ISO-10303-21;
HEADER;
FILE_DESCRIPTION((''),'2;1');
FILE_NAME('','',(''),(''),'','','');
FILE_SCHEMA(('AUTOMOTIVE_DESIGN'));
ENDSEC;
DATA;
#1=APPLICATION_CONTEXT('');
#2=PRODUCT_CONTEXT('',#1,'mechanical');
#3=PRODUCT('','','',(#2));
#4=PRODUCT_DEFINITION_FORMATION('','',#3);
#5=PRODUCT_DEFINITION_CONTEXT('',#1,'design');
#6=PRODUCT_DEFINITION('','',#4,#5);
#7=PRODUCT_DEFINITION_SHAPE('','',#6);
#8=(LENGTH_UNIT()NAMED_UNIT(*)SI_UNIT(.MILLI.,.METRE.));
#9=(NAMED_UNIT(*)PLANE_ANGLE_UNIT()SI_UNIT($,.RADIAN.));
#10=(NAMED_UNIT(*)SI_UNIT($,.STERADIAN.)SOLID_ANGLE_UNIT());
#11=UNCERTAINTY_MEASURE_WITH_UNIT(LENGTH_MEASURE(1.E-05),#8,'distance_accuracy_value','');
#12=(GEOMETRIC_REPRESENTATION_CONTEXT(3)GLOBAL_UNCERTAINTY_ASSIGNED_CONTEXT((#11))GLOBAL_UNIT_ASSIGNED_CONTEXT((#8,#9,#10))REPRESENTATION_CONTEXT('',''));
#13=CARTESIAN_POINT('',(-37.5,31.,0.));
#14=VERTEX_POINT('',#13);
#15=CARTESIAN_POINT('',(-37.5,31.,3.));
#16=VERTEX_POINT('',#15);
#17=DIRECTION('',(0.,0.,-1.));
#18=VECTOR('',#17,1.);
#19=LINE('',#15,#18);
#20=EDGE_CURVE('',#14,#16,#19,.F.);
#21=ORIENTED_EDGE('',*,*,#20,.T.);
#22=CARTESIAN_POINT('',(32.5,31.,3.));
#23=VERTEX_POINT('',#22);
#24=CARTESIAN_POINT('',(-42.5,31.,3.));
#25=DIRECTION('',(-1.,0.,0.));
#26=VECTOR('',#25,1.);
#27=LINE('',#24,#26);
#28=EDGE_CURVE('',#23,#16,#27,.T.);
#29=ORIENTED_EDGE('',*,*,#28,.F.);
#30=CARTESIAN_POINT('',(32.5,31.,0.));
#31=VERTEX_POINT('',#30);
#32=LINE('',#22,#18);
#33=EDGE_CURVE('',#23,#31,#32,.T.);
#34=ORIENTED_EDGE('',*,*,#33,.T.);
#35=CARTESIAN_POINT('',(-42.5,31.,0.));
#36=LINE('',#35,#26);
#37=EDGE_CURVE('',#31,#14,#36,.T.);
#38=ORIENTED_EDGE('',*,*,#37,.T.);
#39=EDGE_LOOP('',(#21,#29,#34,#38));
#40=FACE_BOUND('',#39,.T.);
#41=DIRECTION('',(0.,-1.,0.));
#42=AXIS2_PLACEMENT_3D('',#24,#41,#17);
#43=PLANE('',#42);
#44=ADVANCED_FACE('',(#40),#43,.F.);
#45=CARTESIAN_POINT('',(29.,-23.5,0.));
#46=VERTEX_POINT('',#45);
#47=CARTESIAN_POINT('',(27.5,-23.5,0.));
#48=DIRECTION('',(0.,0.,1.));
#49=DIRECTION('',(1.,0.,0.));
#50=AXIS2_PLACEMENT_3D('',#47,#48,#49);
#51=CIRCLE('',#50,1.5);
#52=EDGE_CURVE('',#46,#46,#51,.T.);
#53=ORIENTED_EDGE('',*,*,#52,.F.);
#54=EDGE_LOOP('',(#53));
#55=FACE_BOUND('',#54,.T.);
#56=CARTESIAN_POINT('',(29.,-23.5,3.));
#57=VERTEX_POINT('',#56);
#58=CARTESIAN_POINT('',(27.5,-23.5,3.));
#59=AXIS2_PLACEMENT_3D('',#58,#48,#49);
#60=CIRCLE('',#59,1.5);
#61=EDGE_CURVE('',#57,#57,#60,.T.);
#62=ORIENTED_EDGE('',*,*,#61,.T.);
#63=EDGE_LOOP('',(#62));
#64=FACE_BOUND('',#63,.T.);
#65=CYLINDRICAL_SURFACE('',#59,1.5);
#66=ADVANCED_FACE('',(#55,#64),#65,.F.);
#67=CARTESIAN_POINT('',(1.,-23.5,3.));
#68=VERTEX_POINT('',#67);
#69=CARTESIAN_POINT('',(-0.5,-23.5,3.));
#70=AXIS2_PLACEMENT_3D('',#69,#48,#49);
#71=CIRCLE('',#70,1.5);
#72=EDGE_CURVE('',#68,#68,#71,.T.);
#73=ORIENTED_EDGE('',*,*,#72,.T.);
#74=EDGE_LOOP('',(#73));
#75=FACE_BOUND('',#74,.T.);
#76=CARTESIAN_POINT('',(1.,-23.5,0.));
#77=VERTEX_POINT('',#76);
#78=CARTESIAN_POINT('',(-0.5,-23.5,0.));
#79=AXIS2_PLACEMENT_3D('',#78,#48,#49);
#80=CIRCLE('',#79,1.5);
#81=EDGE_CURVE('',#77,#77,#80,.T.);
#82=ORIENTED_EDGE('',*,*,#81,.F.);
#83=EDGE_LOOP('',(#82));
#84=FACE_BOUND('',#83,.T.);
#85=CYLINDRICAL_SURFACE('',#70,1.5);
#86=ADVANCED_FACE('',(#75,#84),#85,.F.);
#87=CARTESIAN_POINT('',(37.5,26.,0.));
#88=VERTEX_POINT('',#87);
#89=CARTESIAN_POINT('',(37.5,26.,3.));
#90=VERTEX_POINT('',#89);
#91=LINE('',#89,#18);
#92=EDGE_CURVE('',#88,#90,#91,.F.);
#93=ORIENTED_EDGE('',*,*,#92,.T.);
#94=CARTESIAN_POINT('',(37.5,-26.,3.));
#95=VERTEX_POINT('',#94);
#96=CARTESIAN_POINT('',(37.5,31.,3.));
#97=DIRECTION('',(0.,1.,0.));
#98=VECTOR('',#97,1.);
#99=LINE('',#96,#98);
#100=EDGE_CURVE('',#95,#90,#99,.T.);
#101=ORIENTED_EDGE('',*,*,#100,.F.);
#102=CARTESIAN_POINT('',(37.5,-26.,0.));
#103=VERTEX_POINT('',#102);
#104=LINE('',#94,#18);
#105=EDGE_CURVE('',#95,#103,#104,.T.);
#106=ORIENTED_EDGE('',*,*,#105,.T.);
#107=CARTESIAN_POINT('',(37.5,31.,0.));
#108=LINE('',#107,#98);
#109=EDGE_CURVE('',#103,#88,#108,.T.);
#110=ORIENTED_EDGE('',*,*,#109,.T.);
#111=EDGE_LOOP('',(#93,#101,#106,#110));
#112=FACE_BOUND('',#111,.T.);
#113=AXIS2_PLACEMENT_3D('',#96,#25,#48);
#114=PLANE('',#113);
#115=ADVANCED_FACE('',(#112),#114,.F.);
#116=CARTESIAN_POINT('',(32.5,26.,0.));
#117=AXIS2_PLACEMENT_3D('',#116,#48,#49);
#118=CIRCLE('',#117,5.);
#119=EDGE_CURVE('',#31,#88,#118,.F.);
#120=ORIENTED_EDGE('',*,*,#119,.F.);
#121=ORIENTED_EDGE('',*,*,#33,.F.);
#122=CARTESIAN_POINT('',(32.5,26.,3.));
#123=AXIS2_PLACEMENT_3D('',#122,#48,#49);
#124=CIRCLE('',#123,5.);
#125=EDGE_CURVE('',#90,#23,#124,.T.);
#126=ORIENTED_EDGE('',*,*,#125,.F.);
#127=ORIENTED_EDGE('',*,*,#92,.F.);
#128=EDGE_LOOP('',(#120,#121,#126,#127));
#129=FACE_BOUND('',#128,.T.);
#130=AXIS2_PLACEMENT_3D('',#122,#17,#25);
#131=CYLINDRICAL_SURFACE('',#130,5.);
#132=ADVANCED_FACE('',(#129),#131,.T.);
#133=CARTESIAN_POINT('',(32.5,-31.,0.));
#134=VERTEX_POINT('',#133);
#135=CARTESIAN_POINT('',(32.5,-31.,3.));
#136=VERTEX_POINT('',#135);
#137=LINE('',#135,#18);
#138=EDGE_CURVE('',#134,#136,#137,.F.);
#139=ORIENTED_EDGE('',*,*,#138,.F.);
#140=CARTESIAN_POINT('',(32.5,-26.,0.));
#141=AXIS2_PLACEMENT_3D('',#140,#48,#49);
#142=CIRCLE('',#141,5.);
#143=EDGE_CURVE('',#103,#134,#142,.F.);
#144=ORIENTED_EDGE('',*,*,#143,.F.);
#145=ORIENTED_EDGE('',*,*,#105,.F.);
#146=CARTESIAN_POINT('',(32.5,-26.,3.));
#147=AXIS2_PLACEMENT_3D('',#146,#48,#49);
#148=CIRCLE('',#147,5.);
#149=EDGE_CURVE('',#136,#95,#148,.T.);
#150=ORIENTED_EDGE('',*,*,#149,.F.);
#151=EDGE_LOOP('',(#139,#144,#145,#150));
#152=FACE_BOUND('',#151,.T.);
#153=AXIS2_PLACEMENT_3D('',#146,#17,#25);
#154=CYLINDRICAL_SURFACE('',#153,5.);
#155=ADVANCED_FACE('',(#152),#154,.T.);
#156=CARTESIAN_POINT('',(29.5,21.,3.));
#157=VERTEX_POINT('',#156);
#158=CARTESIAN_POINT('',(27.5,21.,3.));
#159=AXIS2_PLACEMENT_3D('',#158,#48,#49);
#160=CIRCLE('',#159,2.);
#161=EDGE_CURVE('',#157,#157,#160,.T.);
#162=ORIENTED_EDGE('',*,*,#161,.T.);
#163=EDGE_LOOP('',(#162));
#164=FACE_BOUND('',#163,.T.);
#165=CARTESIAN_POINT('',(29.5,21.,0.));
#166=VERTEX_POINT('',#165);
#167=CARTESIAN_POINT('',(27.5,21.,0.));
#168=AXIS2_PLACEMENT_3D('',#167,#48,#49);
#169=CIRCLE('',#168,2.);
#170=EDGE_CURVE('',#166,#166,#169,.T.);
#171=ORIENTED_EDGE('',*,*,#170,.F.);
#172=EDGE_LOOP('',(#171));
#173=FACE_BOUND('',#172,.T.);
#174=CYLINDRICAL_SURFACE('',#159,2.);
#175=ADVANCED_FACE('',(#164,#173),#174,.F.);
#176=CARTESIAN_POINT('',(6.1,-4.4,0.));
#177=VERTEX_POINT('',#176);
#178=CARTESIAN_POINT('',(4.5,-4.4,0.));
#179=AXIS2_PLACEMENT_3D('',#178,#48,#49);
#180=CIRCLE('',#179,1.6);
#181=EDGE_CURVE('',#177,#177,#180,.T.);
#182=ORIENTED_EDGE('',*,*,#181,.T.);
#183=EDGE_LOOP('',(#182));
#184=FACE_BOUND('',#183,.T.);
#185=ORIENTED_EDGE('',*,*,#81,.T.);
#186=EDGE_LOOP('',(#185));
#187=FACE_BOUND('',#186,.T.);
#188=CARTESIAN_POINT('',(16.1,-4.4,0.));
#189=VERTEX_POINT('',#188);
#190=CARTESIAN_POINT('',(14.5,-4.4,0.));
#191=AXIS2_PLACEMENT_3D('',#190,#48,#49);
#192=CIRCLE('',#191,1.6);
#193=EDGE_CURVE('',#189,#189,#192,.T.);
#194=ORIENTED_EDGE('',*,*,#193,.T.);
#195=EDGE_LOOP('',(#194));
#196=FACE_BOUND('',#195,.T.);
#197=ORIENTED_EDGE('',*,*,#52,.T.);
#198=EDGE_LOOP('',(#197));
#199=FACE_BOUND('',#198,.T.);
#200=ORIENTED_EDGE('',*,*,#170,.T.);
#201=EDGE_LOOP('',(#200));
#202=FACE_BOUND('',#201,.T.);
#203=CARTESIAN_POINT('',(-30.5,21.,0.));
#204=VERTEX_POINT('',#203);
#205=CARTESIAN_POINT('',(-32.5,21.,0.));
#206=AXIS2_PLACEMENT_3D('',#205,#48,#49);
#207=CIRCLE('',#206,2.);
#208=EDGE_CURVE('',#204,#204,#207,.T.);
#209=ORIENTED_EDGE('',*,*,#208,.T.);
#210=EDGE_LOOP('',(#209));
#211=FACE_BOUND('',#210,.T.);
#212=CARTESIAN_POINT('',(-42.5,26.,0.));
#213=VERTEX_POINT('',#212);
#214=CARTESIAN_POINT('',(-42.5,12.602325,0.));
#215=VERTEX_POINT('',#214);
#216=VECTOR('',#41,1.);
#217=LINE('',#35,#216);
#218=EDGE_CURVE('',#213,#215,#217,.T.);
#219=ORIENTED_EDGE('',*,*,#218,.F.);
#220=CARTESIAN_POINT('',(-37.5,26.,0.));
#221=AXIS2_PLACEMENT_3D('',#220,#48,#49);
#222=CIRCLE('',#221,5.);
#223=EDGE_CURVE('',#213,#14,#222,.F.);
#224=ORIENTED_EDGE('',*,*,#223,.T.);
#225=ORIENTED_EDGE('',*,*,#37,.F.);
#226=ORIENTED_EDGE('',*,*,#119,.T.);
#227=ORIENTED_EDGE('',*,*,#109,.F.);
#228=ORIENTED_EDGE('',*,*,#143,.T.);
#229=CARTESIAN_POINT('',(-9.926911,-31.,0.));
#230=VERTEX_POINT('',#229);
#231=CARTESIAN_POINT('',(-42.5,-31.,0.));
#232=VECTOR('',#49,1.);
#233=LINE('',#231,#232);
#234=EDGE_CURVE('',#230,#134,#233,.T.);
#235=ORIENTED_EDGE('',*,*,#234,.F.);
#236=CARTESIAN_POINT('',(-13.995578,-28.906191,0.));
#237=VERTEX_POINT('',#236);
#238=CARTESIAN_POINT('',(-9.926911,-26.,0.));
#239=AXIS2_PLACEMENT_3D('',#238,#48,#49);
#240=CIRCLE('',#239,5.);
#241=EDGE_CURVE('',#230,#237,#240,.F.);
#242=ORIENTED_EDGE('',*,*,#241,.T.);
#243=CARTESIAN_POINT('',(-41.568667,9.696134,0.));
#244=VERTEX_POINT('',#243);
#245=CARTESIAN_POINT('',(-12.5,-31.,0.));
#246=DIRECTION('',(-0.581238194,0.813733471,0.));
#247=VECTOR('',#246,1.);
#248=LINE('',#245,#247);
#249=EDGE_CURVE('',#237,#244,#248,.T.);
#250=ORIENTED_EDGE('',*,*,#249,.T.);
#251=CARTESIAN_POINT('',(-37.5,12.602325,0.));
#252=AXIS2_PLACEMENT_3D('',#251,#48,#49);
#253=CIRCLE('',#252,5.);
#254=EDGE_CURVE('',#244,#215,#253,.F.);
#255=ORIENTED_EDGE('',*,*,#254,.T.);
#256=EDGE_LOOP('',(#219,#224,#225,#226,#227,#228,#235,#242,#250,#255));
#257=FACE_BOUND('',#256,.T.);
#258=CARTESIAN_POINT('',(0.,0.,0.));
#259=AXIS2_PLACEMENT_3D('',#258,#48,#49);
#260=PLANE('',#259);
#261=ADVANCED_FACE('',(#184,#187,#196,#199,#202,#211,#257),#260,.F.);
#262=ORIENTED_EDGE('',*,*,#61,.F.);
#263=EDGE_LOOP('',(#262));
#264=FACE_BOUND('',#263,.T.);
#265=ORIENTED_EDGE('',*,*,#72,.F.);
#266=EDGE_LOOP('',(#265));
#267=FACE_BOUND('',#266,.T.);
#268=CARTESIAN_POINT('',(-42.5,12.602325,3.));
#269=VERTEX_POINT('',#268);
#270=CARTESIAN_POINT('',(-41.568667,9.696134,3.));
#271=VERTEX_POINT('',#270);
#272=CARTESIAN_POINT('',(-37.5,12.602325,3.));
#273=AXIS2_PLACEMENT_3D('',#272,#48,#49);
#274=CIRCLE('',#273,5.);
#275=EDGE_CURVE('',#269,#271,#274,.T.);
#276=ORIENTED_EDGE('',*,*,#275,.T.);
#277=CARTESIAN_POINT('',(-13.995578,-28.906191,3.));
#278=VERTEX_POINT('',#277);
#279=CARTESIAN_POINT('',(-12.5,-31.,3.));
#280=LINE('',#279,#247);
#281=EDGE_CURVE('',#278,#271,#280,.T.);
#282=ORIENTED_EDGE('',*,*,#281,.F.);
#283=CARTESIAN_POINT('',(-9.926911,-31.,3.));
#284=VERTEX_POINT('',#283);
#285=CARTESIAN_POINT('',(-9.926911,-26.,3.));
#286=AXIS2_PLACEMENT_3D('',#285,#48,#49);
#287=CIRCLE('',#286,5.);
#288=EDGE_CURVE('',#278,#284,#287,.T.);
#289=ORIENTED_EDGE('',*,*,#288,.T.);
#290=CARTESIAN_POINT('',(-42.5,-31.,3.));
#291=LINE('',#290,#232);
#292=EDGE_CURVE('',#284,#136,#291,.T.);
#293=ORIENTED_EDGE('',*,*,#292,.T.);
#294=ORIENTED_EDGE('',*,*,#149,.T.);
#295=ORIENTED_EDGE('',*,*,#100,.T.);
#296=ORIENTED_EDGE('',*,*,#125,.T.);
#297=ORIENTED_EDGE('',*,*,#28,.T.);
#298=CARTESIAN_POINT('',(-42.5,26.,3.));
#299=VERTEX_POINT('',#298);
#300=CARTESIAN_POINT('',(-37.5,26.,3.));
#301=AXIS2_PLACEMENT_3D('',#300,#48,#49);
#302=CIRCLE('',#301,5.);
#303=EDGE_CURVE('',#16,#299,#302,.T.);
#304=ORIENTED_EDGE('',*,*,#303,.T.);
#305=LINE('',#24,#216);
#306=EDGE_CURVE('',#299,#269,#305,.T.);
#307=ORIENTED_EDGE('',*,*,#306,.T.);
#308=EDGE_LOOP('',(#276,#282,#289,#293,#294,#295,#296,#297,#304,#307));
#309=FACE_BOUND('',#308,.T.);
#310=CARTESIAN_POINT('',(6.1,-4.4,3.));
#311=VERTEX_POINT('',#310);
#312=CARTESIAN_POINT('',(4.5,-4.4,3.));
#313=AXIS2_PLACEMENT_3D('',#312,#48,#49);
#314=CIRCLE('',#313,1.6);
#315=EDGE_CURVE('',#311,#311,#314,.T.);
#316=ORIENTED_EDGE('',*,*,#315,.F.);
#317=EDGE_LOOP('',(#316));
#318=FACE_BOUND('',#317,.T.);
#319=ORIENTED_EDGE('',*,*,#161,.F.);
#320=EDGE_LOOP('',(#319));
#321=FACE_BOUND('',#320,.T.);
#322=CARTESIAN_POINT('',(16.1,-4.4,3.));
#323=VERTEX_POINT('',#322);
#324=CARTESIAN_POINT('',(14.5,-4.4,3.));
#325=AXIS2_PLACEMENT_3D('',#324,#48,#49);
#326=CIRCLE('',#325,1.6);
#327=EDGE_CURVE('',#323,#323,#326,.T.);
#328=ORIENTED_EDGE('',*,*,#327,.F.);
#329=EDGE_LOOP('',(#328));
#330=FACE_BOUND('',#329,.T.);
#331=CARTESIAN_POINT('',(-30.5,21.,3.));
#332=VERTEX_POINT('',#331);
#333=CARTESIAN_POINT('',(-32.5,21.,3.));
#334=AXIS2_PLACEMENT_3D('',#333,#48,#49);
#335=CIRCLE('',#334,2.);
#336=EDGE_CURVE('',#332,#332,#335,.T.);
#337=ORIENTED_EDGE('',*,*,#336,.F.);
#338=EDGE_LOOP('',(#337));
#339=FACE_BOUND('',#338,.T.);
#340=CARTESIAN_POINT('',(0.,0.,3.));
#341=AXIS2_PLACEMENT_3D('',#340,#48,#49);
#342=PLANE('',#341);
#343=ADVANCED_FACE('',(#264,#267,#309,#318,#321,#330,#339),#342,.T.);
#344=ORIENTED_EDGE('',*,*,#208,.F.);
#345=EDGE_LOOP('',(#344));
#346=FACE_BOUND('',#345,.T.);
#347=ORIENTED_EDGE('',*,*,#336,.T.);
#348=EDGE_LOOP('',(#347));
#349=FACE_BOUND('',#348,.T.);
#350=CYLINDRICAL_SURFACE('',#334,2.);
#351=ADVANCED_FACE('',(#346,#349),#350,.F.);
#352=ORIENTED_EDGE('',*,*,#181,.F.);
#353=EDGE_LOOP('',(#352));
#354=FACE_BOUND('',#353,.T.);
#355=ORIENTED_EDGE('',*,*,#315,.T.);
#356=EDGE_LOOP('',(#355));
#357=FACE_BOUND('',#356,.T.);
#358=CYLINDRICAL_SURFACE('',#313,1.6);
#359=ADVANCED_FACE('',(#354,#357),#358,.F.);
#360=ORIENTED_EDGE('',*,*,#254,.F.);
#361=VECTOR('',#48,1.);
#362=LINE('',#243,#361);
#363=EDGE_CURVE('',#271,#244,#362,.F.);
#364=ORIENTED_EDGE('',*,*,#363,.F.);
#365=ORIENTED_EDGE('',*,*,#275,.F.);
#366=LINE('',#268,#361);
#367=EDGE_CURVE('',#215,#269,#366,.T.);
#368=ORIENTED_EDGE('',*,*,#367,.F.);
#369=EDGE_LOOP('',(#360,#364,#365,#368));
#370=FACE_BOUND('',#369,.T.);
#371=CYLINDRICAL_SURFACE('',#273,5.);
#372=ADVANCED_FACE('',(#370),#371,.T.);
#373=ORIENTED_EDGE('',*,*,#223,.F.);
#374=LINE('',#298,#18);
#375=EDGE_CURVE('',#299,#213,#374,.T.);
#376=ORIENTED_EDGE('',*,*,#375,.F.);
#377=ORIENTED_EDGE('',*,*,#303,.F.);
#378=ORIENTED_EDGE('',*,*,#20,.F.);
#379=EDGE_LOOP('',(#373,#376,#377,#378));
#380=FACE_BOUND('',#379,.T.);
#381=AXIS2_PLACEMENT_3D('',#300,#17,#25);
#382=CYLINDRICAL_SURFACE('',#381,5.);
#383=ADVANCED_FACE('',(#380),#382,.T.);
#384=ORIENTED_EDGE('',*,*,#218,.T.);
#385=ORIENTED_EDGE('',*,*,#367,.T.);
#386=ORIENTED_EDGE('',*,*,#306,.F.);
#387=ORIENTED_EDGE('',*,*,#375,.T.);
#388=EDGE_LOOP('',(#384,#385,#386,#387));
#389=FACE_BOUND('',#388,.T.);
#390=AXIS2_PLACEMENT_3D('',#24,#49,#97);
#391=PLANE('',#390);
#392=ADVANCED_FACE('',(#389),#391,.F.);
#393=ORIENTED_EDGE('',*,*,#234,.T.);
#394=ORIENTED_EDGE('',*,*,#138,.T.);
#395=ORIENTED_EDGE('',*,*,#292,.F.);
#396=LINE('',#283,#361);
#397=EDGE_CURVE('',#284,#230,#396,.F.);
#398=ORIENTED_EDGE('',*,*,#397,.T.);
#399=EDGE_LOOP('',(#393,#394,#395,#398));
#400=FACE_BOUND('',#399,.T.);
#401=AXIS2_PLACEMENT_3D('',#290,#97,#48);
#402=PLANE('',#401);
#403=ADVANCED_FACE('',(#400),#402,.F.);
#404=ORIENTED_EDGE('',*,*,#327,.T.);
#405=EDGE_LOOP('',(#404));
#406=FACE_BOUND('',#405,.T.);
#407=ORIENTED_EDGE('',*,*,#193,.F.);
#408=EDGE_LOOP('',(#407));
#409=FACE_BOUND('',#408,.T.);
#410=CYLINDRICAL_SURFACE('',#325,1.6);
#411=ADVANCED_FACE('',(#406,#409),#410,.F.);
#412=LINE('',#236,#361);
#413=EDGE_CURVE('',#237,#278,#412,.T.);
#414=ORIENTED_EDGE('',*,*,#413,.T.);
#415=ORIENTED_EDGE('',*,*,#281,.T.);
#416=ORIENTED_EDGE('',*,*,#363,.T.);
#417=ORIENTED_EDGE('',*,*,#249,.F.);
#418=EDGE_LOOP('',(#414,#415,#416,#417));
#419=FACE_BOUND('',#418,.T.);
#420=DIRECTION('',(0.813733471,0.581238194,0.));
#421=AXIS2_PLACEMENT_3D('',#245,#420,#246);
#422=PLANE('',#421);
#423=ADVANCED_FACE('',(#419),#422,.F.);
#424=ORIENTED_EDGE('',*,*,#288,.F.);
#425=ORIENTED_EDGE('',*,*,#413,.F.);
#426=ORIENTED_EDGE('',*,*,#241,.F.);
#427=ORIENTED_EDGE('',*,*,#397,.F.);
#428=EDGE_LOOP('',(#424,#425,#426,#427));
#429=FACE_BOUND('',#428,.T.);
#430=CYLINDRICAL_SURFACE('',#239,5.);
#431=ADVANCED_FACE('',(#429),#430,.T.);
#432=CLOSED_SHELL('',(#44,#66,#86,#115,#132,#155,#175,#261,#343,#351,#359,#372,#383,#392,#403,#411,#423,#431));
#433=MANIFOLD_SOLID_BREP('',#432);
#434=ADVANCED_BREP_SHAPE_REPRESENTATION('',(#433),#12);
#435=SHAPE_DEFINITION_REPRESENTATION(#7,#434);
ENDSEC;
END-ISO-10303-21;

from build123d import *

# Parameters (mm, degrees)
SKETCH_1_W              = 80
SKETCH_1_H              = 62
EXTRUDE_1_DEPTH         = 3
HOLE_WIZARD_4_0_4_1_D   = 4
HOLE_WIZARD_3_2_3_2_1_D = 3.2
CUT_EXTRUDE_1_DEPTH     = 3
HOLE_WIZARD_3_0_3_1_D   = 3
FILLET_1_R              = 5


with BuildPart() as part:
    # 草图1 → 凸台-拉伸1 (new body)
    with BuildSketch(Plane.XY):
        with Locations((-2.5, 0)):
            Rectangle(SKETCH_1_W, SKETCH_1_H)
    extrude(amount=EXTRUDE_1_DEPTH)

    # Ø4.0 (4) 直径孔1 (through all)
    with Locations(Plane.XY.offset(3)):
        with Locations((27.5, 21), (-32.5, 21)):
            Hole(HOLE_WIZARD_4_0_4_1_D / 2)

    # Ø3.2 (3.2) 直径孔1 (through all)
    with Locations(Plane.XY.offset(3)):
        with Locations((14.5, -4.4), (4.5, -4.4)):
            Hole(HOLE_WIZARD_3_2_3_2_1_D / 2)

    # 草图6 → 切除-拉伸1 (cut)
    with BuildSketch(Plane.XY.offset(3)):
        Polygon((-42.5, 11), (-42.5, -31), (-12.5, -31), align=None)
    extrude(amount=-CUT_EXTRUDE_1_DEPTH, mode=Mode.SUBTRACT)

    # Ø3.0 (3) 直径孔1 (through all)
    with Locations(Plane.XY.offset(3)):
        with Locations((27.5, -23.5), (-0.5, -23.5)):
            Hole(HOLE_WIZARD_3_0_3_1_D / 2)

    # 圆角1
    fillet_1_edges = [part.edges().sort_by_distance(p)[0] for p in [
        (-42.5, 11, 1.5),
        (-12.5, -31, 1.5),
        (37.5, -31, 1.5),
        (-42.5, 31, 1.5),
        (37.5, 31, 1.5),
    ]]
    fillet(fillet_1_edges, radius=FILLET_1_R)


solid = part.part
